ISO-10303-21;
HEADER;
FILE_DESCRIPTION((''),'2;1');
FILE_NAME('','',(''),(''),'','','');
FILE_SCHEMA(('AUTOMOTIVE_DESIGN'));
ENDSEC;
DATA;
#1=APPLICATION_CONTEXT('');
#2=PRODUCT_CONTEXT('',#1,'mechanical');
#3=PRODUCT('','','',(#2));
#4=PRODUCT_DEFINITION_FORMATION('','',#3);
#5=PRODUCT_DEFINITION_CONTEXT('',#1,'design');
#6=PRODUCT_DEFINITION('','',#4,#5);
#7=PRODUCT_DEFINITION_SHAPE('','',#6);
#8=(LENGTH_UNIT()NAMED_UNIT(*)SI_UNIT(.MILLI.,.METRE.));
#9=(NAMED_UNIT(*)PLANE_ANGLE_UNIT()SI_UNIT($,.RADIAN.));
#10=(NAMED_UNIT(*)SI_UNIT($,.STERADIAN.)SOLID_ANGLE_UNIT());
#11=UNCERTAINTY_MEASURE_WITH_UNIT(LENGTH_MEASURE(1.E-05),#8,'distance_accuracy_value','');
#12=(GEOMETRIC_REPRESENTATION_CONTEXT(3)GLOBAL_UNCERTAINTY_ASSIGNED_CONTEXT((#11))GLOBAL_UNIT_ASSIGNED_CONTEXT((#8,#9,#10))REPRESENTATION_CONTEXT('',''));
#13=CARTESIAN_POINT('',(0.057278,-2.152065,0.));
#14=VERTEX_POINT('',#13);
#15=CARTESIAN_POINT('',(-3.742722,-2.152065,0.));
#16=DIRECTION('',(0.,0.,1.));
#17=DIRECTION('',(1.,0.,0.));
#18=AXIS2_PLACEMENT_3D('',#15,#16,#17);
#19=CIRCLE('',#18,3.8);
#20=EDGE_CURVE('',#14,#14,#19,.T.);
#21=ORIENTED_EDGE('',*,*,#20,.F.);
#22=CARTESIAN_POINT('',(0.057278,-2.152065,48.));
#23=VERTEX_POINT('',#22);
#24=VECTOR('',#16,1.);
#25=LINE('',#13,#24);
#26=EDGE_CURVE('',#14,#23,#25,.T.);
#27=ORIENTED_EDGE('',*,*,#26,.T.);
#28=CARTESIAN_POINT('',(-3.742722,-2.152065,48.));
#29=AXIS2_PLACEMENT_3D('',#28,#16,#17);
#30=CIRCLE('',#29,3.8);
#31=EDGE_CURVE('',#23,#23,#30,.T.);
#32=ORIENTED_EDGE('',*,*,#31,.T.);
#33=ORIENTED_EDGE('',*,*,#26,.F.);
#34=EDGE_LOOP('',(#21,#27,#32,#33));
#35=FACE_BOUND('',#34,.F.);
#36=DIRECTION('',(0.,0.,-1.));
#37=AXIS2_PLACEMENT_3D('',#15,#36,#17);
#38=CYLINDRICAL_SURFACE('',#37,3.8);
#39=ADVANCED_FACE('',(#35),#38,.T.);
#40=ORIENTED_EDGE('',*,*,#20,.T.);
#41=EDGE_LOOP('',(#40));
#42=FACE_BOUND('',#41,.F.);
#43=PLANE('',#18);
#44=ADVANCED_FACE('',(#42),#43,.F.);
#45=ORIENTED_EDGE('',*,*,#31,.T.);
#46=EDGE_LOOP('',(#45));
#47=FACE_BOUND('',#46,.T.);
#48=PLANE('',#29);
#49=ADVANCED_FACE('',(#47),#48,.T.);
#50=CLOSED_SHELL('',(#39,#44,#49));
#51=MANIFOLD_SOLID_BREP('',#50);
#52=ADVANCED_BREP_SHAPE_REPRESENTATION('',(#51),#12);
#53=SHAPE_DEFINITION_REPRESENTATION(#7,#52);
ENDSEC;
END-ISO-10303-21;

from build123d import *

# Parameters (mm, degrees)
SKETCH1_R           = 3.8
BOSS_EXTRUDE1_DEPTH = 48


with BuildPart() as part:
    # Sketch1 → Boss-Extrude1 (new body)
    with BuildSketch(Plane.XY):
        with Locations((-3.742722086, -2.1520652)):
            Circle(SKETCH1_R)
    extrude(amount=BOSS_EXTRUDE1_DEPTH)


solid = part.part
